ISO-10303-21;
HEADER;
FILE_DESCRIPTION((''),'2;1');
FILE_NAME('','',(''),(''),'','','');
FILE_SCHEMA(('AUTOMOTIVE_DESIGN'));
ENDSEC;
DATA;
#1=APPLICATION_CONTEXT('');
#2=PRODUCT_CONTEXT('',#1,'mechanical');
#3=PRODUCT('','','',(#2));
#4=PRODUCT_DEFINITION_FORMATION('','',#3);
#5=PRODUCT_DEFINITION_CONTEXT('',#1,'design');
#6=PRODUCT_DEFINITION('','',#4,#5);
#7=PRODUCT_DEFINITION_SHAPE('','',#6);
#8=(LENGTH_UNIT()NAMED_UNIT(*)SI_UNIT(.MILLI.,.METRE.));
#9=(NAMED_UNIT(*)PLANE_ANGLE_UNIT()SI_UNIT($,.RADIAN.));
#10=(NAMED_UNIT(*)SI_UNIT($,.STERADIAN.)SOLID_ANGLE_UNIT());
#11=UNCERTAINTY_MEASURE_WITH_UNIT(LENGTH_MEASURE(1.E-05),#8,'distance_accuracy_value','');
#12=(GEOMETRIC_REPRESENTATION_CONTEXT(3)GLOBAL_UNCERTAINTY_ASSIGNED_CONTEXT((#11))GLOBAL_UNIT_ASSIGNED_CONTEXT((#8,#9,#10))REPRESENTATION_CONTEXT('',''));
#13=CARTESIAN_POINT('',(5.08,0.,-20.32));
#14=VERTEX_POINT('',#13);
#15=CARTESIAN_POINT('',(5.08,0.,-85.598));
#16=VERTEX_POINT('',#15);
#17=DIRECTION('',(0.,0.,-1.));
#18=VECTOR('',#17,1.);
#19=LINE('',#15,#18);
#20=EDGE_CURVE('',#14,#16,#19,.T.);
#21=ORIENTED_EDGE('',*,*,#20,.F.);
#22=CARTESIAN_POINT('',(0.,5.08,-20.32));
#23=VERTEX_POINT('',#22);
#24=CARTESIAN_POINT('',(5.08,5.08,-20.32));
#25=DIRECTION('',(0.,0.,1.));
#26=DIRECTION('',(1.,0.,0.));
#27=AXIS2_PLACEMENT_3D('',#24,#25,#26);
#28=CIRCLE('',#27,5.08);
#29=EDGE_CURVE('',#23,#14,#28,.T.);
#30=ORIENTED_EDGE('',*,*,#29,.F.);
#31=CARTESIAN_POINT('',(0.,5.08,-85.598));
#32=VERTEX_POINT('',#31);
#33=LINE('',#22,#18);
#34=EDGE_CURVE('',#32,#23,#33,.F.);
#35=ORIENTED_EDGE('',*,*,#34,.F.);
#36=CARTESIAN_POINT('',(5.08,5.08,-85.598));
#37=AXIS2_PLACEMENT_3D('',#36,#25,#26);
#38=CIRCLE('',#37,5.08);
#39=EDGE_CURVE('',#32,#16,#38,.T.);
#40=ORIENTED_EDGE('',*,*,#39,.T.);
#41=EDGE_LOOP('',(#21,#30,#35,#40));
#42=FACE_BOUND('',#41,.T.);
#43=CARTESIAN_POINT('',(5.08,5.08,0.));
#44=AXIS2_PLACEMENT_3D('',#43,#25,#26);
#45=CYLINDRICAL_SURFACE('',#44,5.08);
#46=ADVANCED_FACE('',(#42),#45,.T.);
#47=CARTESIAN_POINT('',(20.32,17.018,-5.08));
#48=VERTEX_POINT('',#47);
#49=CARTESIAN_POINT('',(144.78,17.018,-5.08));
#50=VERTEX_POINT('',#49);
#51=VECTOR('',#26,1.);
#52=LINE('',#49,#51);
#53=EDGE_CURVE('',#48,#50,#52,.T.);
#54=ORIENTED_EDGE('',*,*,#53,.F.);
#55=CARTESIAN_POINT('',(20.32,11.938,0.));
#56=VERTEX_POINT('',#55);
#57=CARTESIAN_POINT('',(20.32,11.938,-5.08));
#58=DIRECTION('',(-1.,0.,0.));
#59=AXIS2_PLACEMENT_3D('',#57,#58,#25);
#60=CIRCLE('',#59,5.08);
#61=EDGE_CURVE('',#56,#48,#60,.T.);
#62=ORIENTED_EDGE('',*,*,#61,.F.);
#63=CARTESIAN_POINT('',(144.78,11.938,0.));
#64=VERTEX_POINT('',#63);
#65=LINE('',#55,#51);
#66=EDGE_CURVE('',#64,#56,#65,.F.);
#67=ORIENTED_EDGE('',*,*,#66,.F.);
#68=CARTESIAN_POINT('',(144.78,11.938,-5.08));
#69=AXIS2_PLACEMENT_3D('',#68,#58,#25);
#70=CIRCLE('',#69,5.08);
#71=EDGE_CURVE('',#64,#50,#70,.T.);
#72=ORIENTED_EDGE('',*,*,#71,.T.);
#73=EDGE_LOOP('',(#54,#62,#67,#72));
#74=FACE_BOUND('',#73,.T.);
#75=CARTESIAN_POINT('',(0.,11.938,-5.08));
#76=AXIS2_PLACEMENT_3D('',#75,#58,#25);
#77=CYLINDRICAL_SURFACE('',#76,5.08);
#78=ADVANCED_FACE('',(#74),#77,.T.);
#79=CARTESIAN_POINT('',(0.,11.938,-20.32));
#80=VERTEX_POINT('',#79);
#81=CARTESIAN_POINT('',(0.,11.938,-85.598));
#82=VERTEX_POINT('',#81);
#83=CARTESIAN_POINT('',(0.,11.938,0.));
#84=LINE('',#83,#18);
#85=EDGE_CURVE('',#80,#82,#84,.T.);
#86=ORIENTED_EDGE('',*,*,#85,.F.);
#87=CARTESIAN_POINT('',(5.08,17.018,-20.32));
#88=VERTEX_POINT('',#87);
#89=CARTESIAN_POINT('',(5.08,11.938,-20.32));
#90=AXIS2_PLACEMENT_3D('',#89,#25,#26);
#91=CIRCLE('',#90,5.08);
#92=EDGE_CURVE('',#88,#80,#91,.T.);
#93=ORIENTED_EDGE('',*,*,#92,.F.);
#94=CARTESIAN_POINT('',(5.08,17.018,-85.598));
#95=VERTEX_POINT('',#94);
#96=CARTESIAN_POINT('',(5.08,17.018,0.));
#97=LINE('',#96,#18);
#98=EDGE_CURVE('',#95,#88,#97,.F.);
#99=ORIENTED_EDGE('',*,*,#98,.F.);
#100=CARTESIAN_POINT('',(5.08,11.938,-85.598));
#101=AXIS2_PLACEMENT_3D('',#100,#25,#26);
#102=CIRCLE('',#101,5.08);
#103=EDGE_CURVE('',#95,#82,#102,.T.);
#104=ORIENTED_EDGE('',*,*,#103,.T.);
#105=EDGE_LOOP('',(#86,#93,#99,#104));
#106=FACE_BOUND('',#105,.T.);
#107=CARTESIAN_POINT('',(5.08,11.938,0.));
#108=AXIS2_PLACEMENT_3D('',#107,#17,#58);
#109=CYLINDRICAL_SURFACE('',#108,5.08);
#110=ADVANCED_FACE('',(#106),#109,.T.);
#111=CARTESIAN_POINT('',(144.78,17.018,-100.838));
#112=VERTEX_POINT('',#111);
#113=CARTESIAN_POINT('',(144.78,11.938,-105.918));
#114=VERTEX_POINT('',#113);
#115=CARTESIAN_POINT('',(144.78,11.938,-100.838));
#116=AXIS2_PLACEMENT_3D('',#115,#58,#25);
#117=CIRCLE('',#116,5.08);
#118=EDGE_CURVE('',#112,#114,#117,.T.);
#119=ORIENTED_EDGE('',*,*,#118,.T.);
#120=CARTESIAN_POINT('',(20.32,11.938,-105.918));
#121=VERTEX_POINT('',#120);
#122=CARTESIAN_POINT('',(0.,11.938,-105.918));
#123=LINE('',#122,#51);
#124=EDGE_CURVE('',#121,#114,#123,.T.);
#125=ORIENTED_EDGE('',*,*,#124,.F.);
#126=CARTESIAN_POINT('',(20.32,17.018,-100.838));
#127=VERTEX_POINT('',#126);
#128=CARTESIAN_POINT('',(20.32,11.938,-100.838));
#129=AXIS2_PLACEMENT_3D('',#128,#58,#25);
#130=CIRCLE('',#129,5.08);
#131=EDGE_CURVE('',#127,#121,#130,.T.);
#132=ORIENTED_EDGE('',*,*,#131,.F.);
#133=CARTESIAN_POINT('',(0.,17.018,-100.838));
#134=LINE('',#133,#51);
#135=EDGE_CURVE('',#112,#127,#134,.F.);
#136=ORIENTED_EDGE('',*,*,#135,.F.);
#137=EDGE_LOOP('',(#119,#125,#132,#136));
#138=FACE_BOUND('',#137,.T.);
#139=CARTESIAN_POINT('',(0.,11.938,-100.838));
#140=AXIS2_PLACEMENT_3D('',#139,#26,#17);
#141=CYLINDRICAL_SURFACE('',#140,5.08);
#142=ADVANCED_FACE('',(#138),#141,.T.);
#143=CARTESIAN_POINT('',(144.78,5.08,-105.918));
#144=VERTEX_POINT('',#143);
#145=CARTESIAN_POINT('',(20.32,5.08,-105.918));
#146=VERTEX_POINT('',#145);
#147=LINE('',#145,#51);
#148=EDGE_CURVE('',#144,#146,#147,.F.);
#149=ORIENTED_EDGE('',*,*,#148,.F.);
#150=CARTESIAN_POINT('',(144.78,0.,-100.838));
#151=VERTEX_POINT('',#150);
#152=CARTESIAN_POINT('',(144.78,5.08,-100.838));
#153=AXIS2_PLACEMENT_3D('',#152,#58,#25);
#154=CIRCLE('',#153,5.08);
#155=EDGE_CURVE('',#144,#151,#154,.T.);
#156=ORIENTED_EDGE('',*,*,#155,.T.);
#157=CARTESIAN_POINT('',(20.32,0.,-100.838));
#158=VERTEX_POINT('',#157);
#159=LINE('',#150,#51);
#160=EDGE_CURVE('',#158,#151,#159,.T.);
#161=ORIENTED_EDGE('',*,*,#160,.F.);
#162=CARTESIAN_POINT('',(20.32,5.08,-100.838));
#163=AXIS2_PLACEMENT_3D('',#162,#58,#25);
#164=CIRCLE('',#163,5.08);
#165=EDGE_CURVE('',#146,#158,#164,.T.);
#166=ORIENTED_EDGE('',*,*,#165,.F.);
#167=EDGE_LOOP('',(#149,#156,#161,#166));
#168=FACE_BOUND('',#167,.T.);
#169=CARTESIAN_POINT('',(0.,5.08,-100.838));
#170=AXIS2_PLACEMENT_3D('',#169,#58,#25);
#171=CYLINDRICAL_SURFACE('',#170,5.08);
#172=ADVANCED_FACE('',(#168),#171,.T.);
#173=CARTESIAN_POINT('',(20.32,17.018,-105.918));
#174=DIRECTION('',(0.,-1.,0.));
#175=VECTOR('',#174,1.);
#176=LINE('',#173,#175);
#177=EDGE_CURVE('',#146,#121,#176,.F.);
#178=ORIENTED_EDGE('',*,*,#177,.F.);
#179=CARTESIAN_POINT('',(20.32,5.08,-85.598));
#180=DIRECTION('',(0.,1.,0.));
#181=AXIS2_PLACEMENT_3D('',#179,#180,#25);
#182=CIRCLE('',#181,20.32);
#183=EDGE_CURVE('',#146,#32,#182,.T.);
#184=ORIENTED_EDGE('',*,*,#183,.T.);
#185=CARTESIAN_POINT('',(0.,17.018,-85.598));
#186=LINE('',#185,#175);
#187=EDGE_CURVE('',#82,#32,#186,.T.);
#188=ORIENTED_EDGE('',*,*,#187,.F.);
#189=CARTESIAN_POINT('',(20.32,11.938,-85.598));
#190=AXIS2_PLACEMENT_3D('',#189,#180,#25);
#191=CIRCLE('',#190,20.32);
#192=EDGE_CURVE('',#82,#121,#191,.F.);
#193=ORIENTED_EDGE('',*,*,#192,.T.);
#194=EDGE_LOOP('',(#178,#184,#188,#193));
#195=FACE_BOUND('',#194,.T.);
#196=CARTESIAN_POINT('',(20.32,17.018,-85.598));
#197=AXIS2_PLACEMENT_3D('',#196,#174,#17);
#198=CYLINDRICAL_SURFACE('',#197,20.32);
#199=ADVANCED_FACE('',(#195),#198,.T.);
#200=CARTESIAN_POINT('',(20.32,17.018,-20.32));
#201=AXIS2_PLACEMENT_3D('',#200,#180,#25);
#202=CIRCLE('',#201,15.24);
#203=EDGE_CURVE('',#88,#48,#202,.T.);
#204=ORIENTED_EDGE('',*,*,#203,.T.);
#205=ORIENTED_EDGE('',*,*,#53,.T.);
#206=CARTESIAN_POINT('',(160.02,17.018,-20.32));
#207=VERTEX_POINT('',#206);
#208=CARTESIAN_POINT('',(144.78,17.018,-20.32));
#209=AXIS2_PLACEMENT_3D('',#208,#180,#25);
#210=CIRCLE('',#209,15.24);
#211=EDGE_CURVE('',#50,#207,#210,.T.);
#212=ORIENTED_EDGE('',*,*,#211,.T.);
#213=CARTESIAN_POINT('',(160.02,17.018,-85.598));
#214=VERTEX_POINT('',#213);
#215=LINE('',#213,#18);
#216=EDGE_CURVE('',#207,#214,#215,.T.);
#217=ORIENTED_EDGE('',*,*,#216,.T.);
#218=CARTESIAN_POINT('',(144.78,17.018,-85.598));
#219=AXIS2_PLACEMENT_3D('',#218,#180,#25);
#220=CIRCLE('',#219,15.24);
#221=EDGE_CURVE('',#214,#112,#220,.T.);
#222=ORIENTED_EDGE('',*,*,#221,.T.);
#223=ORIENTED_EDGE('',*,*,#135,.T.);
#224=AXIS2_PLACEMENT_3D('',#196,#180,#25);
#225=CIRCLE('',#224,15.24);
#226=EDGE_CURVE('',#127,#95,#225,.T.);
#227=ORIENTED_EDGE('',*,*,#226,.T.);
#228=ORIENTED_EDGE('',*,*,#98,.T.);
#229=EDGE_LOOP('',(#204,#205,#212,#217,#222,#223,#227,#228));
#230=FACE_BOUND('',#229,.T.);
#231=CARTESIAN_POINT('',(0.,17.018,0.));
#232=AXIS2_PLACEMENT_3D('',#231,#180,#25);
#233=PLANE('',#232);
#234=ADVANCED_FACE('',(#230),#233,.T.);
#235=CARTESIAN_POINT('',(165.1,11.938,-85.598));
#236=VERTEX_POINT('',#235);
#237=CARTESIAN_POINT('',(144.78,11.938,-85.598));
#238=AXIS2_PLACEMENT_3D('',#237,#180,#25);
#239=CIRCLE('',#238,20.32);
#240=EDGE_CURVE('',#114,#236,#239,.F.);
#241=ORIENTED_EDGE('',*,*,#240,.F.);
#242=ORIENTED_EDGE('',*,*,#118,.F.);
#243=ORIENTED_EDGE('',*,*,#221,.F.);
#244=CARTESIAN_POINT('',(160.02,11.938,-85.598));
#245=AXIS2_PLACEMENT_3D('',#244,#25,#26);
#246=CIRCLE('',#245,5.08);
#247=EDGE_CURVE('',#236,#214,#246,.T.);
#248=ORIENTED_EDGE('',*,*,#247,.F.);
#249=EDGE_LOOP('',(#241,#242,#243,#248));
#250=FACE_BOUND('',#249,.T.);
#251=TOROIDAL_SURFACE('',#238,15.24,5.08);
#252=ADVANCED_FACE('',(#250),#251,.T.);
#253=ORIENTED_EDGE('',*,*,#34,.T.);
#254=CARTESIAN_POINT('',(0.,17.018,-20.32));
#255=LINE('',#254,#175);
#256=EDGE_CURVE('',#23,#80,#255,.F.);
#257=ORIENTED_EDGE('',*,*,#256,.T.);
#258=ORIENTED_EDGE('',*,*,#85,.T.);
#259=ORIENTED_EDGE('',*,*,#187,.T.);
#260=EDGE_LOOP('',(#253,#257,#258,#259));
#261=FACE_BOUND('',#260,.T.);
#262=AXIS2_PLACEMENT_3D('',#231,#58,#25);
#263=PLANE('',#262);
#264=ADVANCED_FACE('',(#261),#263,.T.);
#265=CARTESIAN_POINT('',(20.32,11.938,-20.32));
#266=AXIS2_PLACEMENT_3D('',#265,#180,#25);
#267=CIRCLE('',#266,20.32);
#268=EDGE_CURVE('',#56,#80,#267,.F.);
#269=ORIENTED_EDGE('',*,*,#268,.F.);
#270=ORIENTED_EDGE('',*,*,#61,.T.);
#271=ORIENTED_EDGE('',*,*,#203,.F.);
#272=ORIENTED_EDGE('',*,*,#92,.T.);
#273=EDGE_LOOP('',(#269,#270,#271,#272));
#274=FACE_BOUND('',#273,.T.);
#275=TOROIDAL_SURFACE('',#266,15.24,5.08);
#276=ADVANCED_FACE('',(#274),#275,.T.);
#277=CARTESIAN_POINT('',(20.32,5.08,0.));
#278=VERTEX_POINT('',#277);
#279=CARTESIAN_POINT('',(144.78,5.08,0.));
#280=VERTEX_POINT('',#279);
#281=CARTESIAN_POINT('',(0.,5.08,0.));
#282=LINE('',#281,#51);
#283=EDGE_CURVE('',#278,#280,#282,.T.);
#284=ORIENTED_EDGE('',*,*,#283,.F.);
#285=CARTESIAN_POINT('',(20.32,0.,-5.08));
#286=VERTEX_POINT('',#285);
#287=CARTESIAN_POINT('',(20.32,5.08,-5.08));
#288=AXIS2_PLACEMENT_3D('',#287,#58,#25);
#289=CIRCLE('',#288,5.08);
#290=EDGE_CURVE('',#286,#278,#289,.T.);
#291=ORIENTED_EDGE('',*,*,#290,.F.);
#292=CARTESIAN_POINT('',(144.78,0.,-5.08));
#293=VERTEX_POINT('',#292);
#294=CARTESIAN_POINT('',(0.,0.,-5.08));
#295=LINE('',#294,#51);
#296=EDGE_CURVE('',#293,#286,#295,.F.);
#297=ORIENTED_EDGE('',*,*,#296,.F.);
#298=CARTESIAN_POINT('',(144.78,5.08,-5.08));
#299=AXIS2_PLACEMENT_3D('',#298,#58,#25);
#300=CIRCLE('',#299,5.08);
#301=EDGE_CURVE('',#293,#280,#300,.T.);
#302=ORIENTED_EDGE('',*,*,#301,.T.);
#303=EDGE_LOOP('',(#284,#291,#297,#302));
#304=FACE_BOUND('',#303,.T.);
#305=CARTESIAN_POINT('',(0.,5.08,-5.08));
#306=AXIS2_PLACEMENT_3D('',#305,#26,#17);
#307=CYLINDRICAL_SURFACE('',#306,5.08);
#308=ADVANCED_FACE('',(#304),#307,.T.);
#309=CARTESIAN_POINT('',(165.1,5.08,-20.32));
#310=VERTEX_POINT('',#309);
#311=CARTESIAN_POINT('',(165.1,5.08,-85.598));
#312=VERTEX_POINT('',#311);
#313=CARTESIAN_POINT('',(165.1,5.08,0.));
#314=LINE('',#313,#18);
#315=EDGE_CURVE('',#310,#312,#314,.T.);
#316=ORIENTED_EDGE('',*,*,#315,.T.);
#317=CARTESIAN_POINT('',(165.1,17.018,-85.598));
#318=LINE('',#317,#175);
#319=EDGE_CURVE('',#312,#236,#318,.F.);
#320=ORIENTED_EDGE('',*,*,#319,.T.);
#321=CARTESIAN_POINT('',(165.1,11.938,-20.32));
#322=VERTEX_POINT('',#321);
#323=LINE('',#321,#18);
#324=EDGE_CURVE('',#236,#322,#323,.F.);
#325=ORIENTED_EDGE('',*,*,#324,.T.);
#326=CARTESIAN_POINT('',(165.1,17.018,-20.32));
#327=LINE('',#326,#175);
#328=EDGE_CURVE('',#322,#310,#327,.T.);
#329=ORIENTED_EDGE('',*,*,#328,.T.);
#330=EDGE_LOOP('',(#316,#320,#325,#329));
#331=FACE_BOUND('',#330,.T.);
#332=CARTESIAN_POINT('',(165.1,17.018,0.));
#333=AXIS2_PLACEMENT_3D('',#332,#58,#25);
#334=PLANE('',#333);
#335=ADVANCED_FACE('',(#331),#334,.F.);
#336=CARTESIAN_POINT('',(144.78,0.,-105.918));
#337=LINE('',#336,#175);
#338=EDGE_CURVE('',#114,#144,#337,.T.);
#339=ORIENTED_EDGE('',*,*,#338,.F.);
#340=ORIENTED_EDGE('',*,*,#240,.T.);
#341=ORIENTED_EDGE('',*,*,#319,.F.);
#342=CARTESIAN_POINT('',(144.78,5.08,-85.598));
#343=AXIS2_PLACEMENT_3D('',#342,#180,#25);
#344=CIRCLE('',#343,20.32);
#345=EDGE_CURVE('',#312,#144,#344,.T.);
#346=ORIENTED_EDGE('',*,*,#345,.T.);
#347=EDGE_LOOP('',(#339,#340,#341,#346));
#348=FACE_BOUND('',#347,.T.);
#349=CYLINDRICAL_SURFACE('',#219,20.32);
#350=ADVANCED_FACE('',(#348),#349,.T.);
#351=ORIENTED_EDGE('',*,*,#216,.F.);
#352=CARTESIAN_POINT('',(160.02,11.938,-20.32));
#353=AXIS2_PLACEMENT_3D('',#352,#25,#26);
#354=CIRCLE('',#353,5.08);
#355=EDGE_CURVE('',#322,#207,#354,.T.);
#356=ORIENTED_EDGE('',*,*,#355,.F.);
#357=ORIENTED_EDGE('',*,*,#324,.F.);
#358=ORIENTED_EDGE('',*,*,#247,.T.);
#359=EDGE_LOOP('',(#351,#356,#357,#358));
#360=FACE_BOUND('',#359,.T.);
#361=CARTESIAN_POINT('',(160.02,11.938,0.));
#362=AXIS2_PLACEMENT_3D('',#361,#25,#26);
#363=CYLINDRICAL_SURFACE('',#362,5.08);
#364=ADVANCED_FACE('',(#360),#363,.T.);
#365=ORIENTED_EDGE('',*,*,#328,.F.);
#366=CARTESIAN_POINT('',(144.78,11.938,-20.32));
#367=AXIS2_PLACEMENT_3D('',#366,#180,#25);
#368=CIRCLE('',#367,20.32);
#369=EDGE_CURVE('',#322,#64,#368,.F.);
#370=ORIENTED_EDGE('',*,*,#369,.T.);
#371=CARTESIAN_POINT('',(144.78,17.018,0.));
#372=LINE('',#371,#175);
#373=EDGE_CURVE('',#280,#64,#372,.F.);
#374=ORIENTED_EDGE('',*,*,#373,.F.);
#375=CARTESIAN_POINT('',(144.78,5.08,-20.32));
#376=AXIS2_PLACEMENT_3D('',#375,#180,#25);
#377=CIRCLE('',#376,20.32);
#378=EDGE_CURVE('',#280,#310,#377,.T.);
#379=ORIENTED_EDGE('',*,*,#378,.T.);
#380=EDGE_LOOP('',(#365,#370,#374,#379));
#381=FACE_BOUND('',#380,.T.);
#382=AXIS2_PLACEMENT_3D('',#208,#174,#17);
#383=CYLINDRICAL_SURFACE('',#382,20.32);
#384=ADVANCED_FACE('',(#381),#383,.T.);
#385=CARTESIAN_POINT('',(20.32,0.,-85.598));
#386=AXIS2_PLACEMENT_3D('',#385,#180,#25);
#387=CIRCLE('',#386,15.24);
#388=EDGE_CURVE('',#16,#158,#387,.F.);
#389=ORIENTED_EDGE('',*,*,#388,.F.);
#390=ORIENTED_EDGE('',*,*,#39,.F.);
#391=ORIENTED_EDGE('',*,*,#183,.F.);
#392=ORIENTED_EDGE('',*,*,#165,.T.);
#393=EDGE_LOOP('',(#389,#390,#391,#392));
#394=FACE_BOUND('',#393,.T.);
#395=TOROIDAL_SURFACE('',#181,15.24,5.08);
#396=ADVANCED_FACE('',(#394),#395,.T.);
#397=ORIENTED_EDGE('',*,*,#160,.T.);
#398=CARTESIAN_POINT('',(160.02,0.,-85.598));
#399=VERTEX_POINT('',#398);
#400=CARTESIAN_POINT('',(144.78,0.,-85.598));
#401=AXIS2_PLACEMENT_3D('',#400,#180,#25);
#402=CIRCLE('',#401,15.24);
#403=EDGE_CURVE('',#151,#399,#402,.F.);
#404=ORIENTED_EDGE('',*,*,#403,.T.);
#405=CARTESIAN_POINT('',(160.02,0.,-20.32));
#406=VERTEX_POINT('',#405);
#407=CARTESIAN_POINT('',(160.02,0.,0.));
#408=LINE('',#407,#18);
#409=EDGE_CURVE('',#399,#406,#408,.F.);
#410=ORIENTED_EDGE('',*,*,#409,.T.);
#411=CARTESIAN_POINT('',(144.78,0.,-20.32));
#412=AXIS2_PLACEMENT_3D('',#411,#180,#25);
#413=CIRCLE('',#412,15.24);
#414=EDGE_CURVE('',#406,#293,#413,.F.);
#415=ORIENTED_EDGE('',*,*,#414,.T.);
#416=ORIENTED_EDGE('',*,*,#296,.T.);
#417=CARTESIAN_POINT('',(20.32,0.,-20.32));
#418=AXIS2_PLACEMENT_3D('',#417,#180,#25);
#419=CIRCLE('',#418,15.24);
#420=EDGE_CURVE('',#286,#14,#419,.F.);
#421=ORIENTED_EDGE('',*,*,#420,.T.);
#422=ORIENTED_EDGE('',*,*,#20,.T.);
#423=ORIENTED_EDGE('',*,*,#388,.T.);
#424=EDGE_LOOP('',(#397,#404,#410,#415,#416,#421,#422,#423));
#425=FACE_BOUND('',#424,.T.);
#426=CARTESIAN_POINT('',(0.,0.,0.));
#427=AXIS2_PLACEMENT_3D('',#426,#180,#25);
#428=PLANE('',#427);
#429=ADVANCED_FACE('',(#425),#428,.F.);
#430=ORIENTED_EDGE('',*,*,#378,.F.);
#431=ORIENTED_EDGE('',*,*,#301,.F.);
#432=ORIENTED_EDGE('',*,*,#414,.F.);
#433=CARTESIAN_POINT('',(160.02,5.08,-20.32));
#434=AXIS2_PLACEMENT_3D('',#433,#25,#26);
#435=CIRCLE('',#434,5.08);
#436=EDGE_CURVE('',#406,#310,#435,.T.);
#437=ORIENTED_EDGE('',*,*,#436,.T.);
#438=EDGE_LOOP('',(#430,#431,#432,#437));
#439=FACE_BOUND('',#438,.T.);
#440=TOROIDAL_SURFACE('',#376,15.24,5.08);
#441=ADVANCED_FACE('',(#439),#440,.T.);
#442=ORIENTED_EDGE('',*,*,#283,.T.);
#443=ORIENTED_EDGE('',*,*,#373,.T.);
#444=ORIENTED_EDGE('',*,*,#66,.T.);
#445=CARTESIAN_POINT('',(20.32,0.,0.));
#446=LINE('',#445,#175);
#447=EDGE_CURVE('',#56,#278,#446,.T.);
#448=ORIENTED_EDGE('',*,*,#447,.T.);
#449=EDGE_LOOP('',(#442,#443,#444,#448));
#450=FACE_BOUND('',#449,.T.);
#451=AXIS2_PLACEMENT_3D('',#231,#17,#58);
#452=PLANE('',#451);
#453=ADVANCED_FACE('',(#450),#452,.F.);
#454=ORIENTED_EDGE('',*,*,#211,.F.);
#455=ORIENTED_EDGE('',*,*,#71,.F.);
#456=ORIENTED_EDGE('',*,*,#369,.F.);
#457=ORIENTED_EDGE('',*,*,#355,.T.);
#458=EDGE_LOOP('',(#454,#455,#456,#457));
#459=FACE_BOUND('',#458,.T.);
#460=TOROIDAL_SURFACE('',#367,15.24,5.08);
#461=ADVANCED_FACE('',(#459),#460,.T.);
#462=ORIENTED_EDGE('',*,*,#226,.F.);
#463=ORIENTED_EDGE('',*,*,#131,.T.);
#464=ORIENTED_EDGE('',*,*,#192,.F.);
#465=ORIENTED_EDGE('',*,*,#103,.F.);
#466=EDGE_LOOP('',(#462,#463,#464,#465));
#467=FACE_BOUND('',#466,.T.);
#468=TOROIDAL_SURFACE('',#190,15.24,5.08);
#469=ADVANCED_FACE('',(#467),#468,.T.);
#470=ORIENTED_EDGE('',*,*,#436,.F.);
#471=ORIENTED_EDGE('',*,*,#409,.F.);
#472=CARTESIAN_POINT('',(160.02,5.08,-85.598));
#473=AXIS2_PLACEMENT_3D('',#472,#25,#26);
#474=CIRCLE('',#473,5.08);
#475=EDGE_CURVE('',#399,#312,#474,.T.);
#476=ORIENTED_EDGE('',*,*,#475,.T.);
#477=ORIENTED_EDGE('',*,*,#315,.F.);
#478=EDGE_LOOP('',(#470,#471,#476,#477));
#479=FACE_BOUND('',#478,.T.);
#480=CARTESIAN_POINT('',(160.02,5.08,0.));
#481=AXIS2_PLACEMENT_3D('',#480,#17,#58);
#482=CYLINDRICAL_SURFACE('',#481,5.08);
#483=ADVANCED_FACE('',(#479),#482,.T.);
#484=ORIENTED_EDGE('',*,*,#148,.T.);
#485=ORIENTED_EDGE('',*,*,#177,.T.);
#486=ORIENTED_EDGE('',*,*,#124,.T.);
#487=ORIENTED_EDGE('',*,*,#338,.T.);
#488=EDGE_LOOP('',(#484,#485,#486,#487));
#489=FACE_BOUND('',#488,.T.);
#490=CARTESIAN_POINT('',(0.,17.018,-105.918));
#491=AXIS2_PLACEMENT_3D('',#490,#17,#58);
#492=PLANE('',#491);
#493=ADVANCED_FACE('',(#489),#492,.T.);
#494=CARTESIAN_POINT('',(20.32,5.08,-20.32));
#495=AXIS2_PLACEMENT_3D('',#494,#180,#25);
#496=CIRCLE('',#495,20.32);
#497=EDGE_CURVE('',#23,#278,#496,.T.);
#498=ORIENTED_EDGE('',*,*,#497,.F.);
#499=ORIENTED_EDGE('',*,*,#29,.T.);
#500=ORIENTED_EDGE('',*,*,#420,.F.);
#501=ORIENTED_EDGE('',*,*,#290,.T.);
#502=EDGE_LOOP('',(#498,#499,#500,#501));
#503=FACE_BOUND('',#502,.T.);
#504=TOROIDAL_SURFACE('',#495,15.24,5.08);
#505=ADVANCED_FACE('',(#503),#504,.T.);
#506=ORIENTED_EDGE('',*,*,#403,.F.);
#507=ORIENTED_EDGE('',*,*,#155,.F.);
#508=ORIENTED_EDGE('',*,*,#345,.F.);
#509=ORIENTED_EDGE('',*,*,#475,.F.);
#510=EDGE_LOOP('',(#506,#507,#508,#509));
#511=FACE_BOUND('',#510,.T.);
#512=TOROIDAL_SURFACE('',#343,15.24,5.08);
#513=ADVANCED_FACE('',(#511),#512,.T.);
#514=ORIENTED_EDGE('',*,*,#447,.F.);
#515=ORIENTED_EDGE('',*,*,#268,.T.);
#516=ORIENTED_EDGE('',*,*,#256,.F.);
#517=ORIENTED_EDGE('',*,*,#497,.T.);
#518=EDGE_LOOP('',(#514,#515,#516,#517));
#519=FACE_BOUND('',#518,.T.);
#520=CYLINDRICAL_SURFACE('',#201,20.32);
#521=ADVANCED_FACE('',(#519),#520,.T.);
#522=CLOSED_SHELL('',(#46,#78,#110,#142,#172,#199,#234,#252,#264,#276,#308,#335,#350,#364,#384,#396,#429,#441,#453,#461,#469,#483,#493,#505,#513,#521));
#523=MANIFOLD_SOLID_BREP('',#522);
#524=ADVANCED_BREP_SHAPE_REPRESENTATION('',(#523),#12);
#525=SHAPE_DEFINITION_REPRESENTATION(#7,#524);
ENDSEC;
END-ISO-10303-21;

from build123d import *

# Parameters (mm, degrees)
SKETCH2_W           = 165.1
SKETCH2_H           = 105.918
BOSS_EXTRUDE1_DEPTH = 17.018
FILLET1_R           = 20.32
FILLET2_R           = 5.08
FILLET3_R           = 5.08


with BuildPart() as part:
    # Sketch2 → Boss-Extrude1 (new body)
    with BuildSketch(Plane(origin=(0, 0, 0), x_dir=(1, 0, 0), z_dir=(0, 1, 0))):
        with Locations((82.55, 52.959)):
            Rectangle(SKETCH2_W, SKETCH2_H)
    extrude(amount=BOSS_EXTRUDE1_DEPTH)

    # Fillet1
    fillet1_edges = [part.edges().sort_by_distance(p)[0] for p in [
        (0, 8.509, -105.918),
        (0, 8.509, 0),
        (165.1, 8.509, 0),
        (165.1, 8.509, -105.918),
    ]]
    fillet(fillet1_edges, radius=FILLET1_R)

    # Fillet2
    fillet2_edges = [part.edges().sort_by_distance(p)[0] for p in [
        (165.1, 17.018, -52.959),
        (82.55, 17.018, 0),
        (82.55, 17.018, -105.918),
        (0, 17.018, -52.959),
        (5.951590206, 17.018, -5.951590206),
        (5.951590206, 17.018, -99.966409794),
        (159.148409794, 17.018, -99.966409794),
        (159.148409794, 17.018, -5.951590206),
    ]]
    fillet(fillet2_edges, radius=FILLET2_R)

    # Fillet3
    fillet3_edges = [part.edges().sort_by_distance(p)[0] for p in [
        (165.1, 0, -52.959),
        (82.55, 0, -105.918),
        (82.55, 0, 0),
        (0, 0, -52.959),
        (5.951590206, 0, -5.951590206),
        (5.951590206, 0, -99.966409794),
        (159.148409794, 0, -99.966409794),
        (159.148409794, 0, -5.951590206),
    ]]
    fillet(fillet3_edges, radius=FILLET3_R)


solid = part.part
